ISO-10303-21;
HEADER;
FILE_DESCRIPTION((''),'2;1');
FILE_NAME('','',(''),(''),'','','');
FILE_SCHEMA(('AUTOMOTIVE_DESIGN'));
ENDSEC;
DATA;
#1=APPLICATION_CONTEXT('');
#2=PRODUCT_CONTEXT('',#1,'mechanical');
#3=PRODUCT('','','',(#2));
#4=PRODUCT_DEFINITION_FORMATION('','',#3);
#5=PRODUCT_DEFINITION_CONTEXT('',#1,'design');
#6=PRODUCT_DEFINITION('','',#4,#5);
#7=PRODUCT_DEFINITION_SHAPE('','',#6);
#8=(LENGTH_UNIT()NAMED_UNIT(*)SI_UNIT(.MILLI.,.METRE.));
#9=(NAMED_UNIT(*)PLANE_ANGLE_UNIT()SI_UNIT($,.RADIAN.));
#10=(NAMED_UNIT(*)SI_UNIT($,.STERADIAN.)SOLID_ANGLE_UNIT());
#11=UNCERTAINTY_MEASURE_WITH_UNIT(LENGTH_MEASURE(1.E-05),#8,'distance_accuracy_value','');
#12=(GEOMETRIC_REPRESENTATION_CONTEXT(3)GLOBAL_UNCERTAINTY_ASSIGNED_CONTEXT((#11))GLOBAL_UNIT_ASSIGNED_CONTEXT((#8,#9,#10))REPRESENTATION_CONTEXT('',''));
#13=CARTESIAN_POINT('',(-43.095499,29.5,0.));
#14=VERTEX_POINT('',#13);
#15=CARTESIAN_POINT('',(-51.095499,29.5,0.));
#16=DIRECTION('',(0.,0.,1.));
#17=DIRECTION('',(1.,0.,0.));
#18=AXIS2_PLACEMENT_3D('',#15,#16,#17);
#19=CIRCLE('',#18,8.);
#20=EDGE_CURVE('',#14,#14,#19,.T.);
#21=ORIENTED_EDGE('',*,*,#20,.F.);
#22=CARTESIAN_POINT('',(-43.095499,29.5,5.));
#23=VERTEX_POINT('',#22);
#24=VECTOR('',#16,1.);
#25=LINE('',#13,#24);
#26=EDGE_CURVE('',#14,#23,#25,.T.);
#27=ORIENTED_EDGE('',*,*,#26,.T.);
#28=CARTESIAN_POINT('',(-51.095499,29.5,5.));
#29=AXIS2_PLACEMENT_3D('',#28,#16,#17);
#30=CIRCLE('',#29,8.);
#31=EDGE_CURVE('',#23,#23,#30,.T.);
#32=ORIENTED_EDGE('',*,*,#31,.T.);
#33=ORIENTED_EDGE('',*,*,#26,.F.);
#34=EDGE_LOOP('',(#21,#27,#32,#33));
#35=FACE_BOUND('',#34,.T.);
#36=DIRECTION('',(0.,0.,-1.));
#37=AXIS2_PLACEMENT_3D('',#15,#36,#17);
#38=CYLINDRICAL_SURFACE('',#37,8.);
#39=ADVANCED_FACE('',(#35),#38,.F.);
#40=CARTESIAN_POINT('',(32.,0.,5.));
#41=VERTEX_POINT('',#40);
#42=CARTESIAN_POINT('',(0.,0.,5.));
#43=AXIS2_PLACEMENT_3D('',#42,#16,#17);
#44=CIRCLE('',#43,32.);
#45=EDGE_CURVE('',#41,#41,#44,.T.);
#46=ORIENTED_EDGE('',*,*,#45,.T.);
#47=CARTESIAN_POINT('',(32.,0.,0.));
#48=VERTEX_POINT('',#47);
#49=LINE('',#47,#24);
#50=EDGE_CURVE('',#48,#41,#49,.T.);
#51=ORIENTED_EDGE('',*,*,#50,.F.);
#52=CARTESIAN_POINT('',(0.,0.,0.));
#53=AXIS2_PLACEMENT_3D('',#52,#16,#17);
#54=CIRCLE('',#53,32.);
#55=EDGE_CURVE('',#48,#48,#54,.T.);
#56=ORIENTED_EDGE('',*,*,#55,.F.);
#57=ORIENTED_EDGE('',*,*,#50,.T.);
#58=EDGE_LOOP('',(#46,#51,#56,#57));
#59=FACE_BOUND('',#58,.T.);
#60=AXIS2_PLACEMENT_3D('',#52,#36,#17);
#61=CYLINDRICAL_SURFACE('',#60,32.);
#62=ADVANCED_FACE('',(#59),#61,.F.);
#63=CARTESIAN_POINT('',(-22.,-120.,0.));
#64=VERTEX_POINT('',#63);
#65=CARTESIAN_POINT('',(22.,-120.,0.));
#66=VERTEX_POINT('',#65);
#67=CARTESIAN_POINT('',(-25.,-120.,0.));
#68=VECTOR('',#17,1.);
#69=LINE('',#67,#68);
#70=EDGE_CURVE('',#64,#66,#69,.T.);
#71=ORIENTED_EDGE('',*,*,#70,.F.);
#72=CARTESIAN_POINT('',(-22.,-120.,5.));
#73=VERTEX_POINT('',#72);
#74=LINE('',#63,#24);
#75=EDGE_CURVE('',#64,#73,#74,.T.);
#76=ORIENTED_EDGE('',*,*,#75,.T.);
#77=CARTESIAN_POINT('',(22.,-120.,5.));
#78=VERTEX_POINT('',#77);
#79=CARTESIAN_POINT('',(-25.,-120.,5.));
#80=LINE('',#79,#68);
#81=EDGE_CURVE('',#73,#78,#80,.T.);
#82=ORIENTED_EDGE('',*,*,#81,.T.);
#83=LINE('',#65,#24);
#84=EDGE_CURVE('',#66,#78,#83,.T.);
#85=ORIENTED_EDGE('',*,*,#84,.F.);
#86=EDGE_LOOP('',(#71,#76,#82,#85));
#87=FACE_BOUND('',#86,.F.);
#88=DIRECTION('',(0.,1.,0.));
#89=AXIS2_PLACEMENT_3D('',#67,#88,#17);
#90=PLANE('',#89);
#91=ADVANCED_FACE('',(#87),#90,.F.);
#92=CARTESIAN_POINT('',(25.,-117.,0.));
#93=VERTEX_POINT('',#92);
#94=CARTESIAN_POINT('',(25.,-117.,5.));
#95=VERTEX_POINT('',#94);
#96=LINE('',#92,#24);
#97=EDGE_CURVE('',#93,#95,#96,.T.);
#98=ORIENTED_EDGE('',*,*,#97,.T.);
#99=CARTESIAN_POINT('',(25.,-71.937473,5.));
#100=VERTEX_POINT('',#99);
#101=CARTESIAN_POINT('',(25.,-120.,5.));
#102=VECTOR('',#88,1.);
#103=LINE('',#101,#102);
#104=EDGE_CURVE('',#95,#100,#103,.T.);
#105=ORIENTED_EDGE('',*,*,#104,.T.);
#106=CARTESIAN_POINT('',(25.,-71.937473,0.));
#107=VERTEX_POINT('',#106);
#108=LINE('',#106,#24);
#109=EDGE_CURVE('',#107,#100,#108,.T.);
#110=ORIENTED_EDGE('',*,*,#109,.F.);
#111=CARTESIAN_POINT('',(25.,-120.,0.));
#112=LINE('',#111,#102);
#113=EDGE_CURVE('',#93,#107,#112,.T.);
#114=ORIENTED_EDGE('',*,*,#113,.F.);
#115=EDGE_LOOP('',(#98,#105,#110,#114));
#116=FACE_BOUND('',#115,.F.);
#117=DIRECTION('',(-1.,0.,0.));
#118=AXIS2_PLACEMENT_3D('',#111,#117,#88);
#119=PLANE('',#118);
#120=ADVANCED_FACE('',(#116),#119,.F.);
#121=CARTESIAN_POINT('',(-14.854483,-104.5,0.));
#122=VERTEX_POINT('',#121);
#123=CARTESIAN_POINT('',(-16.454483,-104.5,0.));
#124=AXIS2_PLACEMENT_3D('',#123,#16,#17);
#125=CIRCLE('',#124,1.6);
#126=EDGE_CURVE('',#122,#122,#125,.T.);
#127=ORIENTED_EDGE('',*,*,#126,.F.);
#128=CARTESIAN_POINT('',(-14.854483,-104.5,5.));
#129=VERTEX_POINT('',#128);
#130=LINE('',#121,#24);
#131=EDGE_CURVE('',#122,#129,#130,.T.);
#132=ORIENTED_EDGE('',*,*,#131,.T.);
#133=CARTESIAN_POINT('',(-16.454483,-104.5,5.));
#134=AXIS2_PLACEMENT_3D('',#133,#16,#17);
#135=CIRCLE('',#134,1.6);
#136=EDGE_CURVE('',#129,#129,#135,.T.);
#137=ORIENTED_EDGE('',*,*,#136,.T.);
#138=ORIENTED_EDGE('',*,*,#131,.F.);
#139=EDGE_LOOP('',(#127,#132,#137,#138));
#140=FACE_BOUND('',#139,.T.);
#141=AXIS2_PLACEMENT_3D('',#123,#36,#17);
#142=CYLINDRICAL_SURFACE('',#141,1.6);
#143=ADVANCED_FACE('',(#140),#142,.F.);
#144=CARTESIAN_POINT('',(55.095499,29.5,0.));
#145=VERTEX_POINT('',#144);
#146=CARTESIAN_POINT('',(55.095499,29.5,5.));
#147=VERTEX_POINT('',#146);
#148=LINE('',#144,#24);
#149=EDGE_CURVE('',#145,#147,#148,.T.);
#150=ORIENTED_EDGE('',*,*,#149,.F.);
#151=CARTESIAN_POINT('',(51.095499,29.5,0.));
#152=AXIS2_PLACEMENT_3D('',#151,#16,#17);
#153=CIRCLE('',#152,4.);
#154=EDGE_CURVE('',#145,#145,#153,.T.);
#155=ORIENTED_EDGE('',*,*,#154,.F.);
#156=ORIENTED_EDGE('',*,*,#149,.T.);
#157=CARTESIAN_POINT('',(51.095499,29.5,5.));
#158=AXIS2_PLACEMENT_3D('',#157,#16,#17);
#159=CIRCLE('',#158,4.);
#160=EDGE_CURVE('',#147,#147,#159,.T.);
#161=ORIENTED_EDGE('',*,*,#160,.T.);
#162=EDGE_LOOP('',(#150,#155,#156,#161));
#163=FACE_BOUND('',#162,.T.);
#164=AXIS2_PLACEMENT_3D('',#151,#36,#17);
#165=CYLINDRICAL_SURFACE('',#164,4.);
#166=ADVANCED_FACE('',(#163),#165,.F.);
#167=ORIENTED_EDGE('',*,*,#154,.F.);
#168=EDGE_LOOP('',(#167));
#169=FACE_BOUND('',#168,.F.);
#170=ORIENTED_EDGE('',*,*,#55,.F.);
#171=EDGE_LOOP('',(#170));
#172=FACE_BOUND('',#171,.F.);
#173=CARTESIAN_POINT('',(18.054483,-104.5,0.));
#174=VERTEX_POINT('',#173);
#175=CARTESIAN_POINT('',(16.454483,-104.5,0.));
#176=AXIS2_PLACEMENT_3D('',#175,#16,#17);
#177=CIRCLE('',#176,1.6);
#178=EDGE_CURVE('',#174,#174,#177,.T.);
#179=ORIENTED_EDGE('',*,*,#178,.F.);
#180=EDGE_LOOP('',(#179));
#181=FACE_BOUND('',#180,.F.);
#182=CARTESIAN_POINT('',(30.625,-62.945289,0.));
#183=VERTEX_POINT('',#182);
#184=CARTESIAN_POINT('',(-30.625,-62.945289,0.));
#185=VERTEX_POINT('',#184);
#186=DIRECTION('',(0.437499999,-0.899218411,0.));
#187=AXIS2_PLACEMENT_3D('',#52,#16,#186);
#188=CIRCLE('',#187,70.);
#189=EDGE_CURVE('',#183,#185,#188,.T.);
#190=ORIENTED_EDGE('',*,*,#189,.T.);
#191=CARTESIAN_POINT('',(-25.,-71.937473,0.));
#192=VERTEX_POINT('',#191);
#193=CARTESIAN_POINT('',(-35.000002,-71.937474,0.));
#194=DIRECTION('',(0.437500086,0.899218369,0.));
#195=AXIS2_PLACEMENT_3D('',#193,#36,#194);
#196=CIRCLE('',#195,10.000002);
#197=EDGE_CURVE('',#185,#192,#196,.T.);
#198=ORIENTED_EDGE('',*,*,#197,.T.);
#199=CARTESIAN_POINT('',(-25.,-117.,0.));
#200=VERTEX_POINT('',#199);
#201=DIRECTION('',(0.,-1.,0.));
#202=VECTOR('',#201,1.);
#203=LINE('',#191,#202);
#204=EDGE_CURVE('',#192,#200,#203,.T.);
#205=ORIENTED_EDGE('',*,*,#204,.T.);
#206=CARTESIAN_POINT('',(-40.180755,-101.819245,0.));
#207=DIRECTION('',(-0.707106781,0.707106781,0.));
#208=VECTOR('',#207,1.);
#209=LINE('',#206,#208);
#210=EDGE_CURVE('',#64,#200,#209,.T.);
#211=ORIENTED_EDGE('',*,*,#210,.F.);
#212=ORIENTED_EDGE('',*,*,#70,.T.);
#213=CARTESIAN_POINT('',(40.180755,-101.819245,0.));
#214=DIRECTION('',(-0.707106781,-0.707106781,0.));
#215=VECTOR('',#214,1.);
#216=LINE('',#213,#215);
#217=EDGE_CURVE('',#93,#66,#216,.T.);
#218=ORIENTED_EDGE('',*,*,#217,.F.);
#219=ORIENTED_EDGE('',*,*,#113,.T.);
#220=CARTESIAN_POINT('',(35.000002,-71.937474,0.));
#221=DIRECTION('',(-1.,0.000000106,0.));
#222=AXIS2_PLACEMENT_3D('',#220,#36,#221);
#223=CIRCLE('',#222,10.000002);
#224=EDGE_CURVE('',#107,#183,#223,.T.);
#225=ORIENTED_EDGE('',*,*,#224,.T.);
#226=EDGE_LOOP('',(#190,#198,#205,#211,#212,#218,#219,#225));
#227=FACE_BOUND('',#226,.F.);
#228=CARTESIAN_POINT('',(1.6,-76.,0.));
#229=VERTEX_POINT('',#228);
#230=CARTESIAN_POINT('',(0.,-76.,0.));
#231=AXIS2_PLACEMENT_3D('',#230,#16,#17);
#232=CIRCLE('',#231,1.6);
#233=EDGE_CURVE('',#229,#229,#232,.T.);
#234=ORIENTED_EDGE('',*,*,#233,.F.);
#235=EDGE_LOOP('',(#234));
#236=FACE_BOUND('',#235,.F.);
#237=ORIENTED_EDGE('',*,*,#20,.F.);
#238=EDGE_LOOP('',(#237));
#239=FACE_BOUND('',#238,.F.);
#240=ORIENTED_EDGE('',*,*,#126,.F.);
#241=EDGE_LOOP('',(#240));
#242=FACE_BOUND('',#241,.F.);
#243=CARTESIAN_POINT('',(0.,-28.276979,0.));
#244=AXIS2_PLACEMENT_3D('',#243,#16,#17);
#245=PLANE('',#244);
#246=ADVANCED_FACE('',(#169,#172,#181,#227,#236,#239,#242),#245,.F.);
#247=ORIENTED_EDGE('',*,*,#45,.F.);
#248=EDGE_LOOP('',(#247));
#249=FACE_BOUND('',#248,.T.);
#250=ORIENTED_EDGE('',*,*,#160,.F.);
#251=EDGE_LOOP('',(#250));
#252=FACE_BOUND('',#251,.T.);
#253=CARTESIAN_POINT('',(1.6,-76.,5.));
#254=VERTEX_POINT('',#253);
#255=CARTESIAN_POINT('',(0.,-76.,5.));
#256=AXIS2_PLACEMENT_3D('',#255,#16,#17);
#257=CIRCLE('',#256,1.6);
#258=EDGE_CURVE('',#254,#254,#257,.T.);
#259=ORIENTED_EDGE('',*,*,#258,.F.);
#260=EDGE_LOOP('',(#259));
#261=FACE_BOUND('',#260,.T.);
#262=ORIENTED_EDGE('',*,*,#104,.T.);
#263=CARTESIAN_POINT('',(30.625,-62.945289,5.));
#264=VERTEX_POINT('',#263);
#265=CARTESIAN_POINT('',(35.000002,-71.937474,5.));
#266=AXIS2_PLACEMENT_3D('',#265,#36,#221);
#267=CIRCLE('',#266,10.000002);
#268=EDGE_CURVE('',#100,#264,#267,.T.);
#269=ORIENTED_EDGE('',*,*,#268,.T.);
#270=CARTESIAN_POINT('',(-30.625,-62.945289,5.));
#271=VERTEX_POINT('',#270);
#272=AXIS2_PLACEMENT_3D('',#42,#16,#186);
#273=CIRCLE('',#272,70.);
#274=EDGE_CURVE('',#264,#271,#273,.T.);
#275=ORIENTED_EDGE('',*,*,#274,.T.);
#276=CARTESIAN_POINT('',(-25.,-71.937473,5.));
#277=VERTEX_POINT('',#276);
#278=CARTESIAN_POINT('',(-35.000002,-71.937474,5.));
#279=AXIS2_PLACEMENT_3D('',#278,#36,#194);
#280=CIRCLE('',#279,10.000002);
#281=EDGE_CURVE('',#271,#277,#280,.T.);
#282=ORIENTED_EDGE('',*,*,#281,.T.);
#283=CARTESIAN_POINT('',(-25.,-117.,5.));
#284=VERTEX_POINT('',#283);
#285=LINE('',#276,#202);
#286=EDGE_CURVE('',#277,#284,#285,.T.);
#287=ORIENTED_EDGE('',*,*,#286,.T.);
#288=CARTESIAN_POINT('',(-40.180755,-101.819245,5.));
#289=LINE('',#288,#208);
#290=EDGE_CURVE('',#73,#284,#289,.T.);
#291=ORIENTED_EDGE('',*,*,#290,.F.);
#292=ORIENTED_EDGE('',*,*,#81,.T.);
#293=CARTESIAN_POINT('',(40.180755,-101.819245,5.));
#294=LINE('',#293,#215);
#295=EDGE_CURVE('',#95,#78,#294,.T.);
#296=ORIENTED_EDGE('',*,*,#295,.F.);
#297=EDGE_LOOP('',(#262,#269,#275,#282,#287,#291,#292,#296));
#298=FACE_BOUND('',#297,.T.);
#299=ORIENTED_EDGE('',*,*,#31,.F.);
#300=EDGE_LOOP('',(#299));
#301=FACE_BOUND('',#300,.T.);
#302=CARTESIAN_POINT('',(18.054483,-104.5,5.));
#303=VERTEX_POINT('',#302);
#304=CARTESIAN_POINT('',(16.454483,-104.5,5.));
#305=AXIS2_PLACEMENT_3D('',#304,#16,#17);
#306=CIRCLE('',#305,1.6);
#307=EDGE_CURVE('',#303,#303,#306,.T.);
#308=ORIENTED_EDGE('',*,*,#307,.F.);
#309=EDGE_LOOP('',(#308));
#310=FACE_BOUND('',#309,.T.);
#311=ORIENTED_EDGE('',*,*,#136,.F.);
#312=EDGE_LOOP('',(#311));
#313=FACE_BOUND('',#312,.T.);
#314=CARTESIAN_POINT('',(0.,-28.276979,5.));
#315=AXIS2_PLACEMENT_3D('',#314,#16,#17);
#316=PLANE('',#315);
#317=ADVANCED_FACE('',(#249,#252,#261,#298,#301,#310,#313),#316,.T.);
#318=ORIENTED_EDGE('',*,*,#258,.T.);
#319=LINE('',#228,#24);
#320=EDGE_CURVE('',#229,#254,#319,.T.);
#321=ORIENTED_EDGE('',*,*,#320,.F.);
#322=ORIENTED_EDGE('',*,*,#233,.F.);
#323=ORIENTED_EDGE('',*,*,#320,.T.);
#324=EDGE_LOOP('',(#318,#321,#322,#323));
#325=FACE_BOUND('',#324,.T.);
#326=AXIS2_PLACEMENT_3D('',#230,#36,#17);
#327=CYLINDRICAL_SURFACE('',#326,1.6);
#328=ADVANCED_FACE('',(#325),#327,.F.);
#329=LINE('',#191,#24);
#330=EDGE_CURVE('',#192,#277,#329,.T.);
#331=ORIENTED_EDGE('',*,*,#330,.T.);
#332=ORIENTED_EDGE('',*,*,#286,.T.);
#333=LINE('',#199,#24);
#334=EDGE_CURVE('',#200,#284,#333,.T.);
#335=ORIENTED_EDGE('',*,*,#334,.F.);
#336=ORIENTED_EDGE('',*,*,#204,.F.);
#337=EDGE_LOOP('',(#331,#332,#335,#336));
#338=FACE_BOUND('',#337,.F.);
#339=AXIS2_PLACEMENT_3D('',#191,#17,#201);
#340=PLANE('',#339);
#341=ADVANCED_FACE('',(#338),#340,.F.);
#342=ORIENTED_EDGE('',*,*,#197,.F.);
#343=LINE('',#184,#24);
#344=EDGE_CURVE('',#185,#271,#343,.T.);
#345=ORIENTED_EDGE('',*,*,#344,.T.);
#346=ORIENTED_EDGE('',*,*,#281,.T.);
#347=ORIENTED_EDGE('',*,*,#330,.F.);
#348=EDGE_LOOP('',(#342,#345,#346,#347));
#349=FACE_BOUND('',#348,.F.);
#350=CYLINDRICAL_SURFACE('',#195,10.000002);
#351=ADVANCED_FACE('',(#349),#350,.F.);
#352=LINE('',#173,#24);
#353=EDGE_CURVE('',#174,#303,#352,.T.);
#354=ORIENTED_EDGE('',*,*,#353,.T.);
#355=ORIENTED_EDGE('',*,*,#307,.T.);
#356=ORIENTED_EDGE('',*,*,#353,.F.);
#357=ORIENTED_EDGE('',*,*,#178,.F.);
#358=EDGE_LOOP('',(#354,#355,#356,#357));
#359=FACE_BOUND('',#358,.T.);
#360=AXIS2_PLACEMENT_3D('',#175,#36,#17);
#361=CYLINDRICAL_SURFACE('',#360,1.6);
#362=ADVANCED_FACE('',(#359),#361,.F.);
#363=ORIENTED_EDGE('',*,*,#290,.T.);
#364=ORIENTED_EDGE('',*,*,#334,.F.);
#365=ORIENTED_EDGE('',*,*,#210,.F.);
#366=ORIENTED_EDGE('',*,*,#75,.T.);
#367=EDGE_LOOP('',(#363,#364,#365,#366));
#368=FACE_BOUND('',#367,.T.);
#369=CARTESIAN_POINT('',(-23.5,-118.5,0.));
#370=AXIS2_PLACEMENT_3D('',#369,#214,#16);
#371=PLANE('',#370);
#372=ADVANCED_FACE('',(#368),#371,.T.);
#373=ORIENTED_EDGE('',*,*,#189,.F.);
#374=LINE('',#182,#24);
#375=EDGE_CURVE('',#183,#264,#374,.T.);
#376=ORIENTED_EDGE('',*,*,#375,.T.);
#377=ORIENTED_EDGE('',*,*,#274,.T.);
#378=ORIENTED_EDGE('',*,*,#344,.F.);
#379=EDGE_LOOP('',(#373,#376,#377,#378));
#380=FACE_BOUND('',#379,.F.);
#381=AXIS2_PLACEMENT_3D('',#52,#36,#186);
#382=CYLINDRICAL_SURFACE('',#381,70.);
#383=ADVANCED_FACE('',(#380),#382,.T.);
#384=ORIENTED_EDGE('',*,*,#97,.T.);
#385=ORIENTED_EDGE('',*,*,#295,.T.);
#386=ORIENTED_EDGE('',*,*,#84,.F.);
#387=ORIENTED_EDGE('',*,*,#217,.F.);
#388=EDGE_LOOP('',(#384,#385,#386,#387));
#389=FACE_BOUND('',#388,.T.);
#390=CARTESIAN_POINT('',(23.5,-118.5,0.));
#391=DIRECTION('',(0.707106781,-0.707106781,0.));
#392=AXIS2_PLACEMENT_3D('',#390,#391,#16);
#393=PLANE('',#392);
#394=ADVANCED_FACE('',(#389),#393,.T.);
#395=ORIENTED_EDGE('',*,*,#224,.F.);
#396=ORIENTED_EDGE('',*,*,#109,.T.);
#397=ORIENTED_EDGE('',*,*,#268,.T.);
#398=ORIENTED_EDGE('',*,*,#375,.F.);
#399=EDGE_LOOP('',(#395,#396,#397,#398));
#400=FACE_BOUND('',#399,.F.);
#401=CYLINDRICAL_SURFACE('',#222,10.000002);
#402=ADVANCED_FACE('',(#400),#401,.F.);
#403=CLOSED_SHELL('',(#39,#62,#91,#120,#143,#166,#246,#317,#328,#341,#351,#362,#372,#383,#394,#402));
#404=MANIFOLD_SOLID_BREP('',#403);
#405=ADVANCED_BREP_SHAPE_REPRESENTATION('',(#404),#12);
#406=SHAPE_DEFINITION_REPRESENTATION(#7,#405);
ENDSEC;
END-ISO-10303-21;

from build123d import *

# Parameters (mm, degrees)
F0_R     = 1.6
F0_R_2   = 8
F0_R_3   = 32
F0_R_4   = 4
F1_DEPTH = 5
F2_SIZE  = 3


with BuildPart() as f1:
    # F0 (on Top) → F1 (new body)
    with BuildSketch(Plane.XY):
        with BuildLine():
            Line((25, -120), (25, -71.937473))
            ThreePointArc((25, -71.937473), (26.522088, -66.634172), (30.625, -62.945289))
            ThreePointArc((30.625, -62.945289), (0, 70), (-30.625, -62.945289))
            ThreePointArc((-30.625, -62.945289), (-26.522088, -66.634172), (-25, -71.937473))
            Line((-25, -71.937473), (-25, -120))
            Line((-25, -120), (25, -120))
        make_face()
        with Locations((-16.454483, -104.5)):
            Circle(F0_R, mode=Mode.SUBTRACT)
        with Locations((16.454483, -104.5)):
            Circle(F0_R, mode=Mode.SUBTRACT)
        with Locations((0, -76)):
            Circle(F0_R, mode=Mode.SUBTRACT)
        with Locations((-51.095499, 29.5)):
            Circle(F0_R_2, mode=Mode.SUBTRACT)
        Circle(F0_R_3, mode=Mode.SUBTRACT)
        with Locations((51.095499, 29.5)):
            Circle(F0_R_4, mode=Mode.SUBTRACT)
    extrude(amount=F1_DEPTH)

    # F2
    f2_edges = [f1.edges().sort_by_distance(p)[0] for p in [
        (25, -120, 2.5),
        (-25, -120, 2.5),
    ]]
    chamfer(f2_edges, length=F2_SIZE)


solid = f1.part
